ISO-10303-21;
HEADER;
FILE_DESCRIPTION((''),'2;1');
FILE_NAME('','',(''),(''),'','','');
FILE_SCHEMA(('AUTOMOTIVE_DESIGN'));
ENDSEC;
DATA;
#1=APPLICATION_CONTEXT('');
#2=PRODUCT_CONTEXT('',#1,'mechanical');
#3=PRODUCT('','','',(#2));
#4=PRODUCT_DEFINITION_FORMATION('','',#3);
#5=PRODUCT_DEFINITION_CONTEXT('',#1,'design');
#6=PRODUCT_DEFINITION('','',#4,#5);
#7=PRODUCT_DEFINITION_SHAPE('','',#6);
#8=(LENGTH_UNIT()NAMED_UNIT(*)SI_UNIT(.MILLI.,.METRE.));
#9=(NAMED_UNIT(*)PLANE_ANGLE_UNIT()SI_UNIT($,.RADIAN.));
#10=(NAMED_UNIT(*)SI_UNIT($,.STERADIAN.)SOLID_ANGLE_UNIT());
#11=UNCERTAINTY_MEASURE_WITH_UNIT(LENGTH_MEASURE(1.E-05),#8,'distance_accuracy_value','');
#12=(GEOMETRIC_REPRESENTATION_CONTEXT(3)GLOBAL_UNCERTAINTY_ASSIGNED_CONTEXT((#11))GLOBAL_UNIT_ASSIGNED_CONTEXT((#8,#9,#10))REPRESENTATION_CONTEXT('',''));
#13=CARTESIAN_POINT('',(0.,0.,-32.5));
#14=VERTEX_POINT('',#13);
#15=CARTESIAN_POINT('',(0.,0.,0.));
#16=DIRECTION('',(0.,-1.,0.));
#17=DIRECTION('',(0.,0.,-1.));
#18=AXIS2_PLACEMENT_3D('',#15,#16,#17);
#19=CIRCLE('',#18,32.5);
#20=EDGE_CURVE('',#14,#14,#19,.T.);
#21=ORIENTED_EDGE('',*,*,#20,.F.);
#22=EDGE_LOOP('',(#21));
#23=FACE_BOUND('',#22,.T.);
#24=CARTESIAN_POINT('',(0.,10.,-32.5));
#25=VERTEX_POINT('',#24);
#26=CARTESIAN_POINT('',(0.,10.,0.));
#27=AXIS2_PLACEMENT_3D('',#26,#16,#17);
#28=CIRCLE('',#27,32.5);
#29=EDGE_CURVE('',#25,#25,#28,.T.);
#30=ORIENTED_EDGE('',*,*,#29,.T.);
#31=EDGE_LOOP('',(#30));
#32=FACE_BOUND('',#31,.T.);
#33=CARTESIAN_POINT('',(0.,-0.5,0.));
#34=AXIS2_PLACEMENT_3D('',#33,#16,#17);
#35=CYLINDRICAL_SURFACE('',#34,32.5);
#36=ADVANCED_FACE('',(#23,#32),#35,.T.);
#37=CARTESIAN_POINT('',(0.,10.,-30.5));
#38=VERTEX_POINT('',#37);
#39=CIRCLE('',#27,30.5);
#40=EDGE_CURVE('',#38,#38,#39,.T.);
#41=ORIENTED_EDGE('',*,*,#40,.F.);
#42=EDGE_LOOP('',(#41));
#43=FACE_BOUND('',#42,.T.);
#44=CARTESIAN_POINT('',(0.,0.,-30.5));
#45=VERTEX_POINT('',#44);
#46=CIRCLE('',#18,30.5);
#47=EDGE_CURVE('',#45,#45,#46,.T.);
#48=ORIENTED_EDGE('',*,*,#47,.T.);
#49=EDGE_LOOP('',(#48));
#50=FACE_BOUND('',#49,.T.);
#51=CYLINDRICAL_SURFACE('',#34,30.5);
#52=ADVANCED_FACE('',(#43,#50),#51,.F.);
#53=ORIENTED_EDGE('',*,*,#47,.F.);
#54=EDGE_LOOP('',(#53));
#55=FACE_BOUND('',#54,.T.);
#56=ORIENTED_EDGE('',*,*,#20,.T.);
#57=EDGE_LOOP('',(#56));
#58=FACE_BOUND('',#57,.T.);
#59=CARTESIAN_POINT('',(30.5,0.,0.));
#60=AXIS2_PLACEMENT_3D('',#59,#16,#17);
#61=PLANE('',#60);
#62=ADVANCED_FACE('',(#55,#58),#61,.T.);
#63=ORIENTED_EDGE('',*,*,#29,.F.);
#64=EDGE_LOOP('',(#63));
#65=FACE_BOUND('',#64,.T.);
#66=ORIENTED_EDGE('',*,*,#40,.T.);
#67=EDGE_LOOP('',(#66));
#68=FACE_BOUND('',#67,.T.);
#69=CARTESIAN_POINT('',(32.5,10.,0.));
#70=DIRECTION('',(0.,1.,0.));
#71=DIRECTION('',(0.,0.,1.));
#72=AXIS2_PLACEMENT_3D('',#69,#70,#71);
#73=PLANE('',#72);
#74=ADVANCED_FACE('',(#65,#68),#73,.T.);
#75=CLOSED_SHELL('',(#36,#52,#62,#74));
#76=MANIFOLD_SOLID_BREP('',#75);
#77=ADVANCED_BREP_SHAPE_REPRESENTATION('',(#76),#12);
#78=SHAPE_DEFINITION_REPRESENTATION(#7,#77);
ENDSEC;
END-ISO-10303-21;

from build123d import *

# Parameters (mm, degrees)
ESBO_O1_W = 2
ESBO_O1_H = 10


with BuildPart() as part:
    # Esboço1 → Revolução1 (revolve)
    with BuildSketch(Plane.XY):
        with Locations((31.5, 5)):
            Rectangle(ESBO_O1_W, ESBO_O1_H)
    revolve(axis=Axis((0, -0.5, 0), (0, 1, 0)))


solid = part.part
